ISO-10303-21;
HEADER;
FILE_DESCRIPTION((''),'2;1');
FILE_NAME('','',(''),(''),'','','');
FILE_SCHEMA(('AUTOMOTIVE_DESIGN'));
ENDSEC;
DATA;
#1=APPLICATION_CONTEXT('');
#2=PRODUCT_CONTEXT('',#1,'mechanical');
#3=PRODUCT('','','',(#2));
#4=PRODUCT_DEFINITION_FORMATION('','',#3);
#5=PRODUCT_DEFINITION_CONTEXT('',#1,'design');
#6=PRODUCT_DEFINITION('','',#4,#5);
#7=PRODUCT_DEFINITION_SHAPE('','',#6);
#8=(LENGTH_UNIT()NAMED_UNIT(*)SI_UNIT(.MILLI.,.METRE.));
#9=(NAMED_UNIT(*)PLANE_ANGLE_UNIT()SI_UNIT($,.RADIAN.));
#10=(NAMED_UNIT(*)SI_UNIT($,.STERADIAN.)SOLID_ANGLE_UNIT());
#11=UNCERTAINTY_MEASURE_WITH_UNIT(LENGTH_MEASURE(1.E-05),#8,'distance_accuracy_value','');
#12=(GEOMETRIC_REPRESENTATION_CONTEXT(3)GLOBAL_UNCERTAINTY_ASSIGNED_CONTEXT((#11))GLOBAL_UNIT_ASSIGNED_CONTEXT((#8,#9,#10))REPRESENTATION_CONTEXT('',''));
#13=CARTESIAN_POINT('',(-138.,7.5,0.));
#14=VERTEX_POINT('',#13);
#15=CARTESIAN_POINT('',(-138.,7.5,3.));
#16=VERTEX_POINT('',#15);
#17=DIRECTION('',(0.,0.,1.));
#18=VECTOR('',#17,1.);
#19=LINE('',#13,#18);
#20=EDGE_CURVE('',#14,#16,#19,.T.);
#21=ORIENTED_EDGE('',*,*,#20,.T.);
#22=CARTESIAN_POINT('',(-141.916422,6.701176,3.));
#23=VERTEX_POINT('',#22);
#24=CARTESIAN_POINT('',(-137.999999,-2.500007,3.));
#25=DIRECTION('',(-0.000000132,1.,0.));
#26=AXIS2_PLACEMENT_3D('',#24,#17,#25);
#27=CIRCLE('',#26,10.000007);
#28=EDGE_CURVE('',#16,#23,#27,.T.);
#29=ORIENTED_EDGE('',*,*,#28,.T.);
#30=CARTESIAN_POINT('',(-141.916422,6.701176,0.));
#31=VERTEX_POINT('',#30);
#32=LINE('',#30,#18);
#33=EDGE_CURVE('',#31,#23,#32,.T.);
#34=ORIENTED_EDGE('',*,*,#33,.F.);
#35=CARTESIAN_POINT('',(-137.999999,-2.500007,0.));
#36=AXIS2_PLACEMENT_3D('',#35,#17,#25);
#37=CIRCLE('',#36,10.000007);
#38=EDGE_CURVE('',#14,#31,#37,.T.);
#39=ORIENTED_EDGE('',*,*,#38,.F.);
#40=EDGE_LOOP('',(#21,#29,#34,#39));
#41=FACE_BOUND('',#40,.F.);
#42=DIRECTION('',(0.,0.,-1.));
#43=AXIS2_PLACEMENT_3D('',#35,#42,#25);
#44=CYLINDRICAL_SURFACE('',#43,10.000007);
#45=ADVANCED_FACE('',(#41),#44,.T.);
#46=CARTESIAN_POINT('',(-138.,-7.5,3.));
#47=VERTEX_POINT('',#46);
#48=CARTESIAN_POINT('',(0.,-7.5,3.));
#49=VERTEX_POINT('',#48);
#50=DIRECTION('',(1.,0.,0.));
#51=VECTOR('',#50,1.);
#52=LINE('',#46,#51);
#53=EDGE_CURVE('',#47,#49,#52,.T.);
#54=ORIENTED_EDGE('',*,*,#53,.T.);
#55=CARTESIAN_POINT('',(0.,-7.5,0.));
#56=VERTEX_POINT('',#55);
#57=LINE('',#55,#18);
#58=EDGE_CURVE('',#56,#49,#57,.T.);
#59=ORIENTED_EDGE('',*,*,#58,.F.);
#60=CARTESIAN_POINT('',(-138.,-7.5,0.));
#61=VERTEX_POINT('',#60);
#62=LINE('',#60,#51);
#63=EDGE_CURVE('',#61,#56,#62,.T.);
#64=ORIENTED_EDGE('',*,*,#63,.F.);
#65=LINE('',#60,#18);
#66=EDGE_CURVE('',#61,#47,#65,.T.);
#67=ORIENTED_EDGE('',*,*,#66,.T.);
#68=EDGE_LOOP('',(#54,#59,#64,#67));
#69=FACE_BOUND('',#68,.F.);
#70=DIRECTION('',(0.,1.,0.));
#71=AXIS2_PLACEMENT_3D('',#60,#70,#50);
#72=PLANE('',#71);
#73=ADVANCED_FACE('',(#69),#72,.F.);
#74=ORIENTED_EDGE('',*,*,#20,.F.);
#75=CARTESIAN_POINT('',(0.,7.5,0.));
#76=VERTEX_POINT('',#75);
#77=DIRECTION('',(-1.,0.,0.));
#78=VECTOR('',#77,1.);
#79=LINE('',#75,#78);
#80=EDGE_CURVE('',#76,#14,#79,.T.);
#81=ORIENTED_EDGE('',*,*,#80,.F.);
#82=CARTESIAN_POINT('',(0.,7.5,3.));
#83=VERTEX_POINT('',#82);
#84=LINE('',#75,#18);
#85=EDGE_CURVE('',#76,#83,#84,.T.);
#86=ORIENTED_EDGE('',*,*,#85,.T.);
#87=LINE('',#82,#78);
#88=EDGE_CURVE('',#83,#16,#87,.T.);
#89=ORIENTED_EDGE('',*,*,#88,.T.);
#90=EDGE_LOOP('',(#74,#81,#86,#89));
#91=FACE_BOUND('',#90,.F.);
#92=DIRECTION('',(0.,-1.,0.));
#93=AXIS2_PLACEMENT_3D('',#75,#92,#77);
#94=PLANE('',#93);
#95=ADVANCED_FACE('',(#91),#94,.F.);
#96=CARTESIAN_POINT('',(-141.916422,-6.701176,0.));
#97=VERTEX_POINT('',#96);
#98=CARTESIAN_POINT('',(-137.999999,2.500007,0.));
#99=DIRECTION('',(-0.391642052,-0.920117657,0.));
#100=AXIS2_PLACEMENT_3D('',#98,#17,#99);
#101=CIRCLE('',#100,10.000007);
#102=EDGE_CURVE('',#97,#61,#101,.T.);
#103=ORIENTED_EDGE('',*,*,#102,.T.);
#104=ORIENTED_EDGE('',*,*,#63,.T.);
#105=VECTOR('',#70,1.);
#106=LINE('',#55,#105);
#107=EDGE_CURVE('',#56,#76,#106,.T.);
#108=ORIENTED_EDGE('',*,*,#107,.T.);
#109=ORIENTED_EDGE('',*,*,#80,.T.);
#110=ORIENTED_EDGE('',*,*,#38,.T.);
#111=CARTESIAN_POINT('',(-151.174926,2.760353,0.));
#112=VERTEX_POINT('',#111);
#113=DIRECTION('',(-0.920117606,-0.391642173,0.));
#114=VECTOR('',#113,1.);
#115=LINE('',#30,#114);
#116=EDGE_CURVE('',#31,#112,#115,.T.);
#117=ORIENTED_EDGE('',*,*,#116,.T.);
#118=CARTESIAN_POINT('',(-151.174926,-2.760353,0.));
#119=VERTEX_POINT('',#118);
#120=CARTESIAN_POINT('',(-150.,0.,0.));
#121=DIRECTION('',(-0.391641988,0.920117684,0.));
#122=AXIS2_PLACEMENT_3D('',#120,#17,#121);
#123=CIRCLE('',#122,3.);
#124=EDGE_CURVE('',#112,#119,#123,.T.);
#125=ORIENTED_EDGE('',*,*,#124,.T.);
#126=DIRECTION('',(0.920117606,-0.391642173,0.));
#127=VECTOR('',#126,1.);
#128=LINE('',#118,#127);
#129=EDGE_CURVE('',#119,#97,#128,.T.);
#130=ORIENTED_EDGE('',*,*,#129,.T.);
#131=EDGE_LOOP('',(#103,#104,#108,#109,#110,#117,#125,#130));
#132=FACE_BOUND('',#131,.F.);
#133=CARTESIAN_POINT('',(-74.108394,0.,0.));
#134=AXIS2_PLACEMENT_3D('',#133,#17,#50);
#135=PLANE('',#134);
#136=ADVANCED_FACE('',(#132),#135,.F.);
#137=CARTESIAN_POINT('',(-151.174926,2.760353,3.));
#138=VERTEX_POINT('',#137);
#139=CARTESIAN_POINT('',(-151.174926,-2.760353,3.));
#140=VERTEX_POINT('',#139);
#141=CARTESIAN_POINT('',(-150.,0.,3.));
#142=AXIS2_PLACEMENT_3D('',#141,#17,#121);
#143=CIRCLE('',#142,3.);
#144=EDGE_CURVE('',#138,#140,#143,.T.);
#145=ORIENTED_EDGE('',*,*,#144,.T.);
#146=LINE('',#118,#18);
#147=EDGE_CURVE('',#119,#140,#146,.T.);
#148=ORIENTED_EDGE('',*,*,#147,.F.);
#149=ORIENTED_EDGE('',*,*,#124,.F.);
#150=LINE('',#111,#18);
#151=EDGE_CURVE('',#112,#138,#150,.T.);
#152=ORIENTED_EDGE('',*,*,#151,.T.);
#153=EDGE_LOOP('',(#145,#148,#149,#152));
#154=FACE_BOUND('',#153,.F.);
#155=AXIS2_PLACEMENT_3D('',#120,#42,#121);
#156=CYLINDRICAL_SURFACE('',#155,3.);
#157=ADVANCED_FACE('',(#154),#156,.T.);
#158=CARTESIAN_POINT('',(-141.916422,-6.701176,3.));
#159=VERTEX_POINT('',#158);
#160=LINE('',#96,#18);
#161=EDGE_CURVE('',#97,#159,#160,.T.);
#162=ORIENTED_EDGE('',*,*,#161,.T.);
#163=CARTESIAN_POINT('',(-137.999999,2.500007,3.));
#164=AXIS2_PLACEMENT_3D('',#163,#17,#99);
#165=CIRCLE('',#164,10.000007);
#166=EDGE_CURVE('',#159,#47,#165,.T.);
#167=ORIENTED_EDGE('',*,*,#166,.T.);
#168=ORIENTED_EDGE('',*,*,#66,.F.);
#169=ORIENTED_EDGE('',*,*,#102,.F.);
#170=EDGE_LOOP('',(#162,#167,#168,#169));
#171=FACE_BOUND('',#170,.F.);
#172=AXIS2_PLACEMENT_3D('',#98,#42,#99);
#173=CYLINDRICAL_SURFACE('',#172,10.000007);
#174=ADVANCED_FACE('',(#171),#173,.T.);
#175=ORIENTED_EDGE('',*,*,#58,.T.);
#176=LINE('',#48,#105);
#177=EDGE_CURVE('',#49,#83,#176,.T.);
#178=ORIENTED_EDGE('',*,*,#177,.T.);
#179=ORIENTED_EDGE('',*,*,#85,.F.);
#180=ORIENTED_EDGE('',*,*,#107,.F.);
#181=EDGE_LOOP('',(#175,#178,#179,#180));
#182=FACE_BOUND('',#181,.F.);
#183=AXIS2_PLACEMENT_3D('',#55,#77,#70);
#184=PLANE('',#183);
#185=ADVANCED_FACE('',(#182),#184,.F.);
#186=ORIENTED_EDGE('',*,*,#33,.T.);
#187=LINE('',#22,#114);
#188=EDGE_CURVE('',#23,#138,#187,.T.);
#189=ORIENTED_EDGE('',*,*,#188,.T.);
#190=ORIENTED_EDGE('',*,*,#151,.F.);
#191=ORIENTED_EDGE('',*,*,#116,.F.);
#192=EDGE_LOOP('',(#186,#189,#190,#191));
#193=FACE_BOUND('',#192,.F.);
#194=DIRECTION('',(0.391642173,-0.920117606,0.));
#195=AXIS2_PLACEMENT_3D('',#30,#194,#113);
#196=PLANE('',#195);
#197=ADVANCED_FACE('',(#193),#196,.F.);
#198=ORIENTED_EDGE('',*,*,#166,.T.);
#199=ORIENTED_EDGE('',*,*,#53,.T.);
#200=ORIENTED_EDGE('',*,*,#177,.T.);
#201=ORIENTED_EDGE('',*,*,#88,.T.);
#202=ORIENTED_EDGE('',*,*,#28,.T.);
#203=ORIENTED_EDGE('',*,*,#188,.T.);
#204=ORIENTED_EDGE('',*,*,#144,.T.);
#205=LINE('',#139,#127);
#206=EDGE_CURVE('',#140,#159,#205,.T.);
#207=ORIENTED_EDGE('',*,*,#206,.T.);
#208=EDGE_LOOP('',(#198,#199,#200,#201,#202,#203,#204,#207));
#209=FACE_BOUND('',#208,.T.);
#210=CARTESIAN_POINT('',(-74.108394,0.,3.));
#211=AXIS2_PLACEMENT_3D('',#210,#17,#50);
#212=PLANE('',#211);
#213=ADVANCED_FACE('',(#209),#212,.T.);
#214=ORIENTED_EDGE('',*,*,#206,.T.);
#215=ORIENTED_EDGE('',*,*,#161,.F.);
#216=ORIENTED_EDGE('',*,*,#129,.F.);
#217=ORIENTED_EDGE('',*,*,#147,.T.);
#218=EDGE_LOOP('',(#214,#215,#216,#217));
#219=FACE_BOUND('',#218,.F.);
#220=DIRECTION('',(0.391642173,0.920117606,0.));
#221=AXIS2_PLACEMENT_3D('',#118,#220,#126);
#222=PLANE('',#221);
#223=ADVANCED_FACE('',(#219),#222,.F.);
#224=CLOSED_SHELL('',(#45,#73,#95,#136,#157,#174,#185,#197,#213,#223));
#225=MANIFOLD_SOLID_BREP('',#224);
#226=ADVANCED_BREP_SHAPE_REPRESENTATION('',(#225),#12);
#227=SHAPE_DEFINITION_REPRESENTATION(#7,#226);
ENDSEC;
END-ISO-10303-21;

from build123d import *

# Parameters (mm, degrees)
F1_DEPTH = 3


with BuildPart() as f1:
    # F0 (on Top) → F1 (new body)
    with BuildSketch(Plane.XY):
        with BuildLine():
            Line((0, -7.5), (0, 0))
            Line((0, 0), (0, 7.5))
            Line((0, 7.5), (-138, 7.5))
            ThreePointArc((-138, 7.5), (-139.998529, 7.298259), (-141.916422, 6.701176))
            Line((-141.916422, 6.701176), (-151.174926, 2.760353))
            ThreePointArc((-151.174926, 2.760353), (-153, 0), (-151.174926, -2.760353))
            Line((-151.174926, -2.760353), (-141.916422, -6.701176))
            ThreePointArc((-141.916422, -6.701176), (-139.998529, -7.298259), (-138, -7.5))
            Line((-138, -7.5), (0, -7.5))
        make_face()
    extrude(amount=F1_DEPTH)


solid = f1.part
